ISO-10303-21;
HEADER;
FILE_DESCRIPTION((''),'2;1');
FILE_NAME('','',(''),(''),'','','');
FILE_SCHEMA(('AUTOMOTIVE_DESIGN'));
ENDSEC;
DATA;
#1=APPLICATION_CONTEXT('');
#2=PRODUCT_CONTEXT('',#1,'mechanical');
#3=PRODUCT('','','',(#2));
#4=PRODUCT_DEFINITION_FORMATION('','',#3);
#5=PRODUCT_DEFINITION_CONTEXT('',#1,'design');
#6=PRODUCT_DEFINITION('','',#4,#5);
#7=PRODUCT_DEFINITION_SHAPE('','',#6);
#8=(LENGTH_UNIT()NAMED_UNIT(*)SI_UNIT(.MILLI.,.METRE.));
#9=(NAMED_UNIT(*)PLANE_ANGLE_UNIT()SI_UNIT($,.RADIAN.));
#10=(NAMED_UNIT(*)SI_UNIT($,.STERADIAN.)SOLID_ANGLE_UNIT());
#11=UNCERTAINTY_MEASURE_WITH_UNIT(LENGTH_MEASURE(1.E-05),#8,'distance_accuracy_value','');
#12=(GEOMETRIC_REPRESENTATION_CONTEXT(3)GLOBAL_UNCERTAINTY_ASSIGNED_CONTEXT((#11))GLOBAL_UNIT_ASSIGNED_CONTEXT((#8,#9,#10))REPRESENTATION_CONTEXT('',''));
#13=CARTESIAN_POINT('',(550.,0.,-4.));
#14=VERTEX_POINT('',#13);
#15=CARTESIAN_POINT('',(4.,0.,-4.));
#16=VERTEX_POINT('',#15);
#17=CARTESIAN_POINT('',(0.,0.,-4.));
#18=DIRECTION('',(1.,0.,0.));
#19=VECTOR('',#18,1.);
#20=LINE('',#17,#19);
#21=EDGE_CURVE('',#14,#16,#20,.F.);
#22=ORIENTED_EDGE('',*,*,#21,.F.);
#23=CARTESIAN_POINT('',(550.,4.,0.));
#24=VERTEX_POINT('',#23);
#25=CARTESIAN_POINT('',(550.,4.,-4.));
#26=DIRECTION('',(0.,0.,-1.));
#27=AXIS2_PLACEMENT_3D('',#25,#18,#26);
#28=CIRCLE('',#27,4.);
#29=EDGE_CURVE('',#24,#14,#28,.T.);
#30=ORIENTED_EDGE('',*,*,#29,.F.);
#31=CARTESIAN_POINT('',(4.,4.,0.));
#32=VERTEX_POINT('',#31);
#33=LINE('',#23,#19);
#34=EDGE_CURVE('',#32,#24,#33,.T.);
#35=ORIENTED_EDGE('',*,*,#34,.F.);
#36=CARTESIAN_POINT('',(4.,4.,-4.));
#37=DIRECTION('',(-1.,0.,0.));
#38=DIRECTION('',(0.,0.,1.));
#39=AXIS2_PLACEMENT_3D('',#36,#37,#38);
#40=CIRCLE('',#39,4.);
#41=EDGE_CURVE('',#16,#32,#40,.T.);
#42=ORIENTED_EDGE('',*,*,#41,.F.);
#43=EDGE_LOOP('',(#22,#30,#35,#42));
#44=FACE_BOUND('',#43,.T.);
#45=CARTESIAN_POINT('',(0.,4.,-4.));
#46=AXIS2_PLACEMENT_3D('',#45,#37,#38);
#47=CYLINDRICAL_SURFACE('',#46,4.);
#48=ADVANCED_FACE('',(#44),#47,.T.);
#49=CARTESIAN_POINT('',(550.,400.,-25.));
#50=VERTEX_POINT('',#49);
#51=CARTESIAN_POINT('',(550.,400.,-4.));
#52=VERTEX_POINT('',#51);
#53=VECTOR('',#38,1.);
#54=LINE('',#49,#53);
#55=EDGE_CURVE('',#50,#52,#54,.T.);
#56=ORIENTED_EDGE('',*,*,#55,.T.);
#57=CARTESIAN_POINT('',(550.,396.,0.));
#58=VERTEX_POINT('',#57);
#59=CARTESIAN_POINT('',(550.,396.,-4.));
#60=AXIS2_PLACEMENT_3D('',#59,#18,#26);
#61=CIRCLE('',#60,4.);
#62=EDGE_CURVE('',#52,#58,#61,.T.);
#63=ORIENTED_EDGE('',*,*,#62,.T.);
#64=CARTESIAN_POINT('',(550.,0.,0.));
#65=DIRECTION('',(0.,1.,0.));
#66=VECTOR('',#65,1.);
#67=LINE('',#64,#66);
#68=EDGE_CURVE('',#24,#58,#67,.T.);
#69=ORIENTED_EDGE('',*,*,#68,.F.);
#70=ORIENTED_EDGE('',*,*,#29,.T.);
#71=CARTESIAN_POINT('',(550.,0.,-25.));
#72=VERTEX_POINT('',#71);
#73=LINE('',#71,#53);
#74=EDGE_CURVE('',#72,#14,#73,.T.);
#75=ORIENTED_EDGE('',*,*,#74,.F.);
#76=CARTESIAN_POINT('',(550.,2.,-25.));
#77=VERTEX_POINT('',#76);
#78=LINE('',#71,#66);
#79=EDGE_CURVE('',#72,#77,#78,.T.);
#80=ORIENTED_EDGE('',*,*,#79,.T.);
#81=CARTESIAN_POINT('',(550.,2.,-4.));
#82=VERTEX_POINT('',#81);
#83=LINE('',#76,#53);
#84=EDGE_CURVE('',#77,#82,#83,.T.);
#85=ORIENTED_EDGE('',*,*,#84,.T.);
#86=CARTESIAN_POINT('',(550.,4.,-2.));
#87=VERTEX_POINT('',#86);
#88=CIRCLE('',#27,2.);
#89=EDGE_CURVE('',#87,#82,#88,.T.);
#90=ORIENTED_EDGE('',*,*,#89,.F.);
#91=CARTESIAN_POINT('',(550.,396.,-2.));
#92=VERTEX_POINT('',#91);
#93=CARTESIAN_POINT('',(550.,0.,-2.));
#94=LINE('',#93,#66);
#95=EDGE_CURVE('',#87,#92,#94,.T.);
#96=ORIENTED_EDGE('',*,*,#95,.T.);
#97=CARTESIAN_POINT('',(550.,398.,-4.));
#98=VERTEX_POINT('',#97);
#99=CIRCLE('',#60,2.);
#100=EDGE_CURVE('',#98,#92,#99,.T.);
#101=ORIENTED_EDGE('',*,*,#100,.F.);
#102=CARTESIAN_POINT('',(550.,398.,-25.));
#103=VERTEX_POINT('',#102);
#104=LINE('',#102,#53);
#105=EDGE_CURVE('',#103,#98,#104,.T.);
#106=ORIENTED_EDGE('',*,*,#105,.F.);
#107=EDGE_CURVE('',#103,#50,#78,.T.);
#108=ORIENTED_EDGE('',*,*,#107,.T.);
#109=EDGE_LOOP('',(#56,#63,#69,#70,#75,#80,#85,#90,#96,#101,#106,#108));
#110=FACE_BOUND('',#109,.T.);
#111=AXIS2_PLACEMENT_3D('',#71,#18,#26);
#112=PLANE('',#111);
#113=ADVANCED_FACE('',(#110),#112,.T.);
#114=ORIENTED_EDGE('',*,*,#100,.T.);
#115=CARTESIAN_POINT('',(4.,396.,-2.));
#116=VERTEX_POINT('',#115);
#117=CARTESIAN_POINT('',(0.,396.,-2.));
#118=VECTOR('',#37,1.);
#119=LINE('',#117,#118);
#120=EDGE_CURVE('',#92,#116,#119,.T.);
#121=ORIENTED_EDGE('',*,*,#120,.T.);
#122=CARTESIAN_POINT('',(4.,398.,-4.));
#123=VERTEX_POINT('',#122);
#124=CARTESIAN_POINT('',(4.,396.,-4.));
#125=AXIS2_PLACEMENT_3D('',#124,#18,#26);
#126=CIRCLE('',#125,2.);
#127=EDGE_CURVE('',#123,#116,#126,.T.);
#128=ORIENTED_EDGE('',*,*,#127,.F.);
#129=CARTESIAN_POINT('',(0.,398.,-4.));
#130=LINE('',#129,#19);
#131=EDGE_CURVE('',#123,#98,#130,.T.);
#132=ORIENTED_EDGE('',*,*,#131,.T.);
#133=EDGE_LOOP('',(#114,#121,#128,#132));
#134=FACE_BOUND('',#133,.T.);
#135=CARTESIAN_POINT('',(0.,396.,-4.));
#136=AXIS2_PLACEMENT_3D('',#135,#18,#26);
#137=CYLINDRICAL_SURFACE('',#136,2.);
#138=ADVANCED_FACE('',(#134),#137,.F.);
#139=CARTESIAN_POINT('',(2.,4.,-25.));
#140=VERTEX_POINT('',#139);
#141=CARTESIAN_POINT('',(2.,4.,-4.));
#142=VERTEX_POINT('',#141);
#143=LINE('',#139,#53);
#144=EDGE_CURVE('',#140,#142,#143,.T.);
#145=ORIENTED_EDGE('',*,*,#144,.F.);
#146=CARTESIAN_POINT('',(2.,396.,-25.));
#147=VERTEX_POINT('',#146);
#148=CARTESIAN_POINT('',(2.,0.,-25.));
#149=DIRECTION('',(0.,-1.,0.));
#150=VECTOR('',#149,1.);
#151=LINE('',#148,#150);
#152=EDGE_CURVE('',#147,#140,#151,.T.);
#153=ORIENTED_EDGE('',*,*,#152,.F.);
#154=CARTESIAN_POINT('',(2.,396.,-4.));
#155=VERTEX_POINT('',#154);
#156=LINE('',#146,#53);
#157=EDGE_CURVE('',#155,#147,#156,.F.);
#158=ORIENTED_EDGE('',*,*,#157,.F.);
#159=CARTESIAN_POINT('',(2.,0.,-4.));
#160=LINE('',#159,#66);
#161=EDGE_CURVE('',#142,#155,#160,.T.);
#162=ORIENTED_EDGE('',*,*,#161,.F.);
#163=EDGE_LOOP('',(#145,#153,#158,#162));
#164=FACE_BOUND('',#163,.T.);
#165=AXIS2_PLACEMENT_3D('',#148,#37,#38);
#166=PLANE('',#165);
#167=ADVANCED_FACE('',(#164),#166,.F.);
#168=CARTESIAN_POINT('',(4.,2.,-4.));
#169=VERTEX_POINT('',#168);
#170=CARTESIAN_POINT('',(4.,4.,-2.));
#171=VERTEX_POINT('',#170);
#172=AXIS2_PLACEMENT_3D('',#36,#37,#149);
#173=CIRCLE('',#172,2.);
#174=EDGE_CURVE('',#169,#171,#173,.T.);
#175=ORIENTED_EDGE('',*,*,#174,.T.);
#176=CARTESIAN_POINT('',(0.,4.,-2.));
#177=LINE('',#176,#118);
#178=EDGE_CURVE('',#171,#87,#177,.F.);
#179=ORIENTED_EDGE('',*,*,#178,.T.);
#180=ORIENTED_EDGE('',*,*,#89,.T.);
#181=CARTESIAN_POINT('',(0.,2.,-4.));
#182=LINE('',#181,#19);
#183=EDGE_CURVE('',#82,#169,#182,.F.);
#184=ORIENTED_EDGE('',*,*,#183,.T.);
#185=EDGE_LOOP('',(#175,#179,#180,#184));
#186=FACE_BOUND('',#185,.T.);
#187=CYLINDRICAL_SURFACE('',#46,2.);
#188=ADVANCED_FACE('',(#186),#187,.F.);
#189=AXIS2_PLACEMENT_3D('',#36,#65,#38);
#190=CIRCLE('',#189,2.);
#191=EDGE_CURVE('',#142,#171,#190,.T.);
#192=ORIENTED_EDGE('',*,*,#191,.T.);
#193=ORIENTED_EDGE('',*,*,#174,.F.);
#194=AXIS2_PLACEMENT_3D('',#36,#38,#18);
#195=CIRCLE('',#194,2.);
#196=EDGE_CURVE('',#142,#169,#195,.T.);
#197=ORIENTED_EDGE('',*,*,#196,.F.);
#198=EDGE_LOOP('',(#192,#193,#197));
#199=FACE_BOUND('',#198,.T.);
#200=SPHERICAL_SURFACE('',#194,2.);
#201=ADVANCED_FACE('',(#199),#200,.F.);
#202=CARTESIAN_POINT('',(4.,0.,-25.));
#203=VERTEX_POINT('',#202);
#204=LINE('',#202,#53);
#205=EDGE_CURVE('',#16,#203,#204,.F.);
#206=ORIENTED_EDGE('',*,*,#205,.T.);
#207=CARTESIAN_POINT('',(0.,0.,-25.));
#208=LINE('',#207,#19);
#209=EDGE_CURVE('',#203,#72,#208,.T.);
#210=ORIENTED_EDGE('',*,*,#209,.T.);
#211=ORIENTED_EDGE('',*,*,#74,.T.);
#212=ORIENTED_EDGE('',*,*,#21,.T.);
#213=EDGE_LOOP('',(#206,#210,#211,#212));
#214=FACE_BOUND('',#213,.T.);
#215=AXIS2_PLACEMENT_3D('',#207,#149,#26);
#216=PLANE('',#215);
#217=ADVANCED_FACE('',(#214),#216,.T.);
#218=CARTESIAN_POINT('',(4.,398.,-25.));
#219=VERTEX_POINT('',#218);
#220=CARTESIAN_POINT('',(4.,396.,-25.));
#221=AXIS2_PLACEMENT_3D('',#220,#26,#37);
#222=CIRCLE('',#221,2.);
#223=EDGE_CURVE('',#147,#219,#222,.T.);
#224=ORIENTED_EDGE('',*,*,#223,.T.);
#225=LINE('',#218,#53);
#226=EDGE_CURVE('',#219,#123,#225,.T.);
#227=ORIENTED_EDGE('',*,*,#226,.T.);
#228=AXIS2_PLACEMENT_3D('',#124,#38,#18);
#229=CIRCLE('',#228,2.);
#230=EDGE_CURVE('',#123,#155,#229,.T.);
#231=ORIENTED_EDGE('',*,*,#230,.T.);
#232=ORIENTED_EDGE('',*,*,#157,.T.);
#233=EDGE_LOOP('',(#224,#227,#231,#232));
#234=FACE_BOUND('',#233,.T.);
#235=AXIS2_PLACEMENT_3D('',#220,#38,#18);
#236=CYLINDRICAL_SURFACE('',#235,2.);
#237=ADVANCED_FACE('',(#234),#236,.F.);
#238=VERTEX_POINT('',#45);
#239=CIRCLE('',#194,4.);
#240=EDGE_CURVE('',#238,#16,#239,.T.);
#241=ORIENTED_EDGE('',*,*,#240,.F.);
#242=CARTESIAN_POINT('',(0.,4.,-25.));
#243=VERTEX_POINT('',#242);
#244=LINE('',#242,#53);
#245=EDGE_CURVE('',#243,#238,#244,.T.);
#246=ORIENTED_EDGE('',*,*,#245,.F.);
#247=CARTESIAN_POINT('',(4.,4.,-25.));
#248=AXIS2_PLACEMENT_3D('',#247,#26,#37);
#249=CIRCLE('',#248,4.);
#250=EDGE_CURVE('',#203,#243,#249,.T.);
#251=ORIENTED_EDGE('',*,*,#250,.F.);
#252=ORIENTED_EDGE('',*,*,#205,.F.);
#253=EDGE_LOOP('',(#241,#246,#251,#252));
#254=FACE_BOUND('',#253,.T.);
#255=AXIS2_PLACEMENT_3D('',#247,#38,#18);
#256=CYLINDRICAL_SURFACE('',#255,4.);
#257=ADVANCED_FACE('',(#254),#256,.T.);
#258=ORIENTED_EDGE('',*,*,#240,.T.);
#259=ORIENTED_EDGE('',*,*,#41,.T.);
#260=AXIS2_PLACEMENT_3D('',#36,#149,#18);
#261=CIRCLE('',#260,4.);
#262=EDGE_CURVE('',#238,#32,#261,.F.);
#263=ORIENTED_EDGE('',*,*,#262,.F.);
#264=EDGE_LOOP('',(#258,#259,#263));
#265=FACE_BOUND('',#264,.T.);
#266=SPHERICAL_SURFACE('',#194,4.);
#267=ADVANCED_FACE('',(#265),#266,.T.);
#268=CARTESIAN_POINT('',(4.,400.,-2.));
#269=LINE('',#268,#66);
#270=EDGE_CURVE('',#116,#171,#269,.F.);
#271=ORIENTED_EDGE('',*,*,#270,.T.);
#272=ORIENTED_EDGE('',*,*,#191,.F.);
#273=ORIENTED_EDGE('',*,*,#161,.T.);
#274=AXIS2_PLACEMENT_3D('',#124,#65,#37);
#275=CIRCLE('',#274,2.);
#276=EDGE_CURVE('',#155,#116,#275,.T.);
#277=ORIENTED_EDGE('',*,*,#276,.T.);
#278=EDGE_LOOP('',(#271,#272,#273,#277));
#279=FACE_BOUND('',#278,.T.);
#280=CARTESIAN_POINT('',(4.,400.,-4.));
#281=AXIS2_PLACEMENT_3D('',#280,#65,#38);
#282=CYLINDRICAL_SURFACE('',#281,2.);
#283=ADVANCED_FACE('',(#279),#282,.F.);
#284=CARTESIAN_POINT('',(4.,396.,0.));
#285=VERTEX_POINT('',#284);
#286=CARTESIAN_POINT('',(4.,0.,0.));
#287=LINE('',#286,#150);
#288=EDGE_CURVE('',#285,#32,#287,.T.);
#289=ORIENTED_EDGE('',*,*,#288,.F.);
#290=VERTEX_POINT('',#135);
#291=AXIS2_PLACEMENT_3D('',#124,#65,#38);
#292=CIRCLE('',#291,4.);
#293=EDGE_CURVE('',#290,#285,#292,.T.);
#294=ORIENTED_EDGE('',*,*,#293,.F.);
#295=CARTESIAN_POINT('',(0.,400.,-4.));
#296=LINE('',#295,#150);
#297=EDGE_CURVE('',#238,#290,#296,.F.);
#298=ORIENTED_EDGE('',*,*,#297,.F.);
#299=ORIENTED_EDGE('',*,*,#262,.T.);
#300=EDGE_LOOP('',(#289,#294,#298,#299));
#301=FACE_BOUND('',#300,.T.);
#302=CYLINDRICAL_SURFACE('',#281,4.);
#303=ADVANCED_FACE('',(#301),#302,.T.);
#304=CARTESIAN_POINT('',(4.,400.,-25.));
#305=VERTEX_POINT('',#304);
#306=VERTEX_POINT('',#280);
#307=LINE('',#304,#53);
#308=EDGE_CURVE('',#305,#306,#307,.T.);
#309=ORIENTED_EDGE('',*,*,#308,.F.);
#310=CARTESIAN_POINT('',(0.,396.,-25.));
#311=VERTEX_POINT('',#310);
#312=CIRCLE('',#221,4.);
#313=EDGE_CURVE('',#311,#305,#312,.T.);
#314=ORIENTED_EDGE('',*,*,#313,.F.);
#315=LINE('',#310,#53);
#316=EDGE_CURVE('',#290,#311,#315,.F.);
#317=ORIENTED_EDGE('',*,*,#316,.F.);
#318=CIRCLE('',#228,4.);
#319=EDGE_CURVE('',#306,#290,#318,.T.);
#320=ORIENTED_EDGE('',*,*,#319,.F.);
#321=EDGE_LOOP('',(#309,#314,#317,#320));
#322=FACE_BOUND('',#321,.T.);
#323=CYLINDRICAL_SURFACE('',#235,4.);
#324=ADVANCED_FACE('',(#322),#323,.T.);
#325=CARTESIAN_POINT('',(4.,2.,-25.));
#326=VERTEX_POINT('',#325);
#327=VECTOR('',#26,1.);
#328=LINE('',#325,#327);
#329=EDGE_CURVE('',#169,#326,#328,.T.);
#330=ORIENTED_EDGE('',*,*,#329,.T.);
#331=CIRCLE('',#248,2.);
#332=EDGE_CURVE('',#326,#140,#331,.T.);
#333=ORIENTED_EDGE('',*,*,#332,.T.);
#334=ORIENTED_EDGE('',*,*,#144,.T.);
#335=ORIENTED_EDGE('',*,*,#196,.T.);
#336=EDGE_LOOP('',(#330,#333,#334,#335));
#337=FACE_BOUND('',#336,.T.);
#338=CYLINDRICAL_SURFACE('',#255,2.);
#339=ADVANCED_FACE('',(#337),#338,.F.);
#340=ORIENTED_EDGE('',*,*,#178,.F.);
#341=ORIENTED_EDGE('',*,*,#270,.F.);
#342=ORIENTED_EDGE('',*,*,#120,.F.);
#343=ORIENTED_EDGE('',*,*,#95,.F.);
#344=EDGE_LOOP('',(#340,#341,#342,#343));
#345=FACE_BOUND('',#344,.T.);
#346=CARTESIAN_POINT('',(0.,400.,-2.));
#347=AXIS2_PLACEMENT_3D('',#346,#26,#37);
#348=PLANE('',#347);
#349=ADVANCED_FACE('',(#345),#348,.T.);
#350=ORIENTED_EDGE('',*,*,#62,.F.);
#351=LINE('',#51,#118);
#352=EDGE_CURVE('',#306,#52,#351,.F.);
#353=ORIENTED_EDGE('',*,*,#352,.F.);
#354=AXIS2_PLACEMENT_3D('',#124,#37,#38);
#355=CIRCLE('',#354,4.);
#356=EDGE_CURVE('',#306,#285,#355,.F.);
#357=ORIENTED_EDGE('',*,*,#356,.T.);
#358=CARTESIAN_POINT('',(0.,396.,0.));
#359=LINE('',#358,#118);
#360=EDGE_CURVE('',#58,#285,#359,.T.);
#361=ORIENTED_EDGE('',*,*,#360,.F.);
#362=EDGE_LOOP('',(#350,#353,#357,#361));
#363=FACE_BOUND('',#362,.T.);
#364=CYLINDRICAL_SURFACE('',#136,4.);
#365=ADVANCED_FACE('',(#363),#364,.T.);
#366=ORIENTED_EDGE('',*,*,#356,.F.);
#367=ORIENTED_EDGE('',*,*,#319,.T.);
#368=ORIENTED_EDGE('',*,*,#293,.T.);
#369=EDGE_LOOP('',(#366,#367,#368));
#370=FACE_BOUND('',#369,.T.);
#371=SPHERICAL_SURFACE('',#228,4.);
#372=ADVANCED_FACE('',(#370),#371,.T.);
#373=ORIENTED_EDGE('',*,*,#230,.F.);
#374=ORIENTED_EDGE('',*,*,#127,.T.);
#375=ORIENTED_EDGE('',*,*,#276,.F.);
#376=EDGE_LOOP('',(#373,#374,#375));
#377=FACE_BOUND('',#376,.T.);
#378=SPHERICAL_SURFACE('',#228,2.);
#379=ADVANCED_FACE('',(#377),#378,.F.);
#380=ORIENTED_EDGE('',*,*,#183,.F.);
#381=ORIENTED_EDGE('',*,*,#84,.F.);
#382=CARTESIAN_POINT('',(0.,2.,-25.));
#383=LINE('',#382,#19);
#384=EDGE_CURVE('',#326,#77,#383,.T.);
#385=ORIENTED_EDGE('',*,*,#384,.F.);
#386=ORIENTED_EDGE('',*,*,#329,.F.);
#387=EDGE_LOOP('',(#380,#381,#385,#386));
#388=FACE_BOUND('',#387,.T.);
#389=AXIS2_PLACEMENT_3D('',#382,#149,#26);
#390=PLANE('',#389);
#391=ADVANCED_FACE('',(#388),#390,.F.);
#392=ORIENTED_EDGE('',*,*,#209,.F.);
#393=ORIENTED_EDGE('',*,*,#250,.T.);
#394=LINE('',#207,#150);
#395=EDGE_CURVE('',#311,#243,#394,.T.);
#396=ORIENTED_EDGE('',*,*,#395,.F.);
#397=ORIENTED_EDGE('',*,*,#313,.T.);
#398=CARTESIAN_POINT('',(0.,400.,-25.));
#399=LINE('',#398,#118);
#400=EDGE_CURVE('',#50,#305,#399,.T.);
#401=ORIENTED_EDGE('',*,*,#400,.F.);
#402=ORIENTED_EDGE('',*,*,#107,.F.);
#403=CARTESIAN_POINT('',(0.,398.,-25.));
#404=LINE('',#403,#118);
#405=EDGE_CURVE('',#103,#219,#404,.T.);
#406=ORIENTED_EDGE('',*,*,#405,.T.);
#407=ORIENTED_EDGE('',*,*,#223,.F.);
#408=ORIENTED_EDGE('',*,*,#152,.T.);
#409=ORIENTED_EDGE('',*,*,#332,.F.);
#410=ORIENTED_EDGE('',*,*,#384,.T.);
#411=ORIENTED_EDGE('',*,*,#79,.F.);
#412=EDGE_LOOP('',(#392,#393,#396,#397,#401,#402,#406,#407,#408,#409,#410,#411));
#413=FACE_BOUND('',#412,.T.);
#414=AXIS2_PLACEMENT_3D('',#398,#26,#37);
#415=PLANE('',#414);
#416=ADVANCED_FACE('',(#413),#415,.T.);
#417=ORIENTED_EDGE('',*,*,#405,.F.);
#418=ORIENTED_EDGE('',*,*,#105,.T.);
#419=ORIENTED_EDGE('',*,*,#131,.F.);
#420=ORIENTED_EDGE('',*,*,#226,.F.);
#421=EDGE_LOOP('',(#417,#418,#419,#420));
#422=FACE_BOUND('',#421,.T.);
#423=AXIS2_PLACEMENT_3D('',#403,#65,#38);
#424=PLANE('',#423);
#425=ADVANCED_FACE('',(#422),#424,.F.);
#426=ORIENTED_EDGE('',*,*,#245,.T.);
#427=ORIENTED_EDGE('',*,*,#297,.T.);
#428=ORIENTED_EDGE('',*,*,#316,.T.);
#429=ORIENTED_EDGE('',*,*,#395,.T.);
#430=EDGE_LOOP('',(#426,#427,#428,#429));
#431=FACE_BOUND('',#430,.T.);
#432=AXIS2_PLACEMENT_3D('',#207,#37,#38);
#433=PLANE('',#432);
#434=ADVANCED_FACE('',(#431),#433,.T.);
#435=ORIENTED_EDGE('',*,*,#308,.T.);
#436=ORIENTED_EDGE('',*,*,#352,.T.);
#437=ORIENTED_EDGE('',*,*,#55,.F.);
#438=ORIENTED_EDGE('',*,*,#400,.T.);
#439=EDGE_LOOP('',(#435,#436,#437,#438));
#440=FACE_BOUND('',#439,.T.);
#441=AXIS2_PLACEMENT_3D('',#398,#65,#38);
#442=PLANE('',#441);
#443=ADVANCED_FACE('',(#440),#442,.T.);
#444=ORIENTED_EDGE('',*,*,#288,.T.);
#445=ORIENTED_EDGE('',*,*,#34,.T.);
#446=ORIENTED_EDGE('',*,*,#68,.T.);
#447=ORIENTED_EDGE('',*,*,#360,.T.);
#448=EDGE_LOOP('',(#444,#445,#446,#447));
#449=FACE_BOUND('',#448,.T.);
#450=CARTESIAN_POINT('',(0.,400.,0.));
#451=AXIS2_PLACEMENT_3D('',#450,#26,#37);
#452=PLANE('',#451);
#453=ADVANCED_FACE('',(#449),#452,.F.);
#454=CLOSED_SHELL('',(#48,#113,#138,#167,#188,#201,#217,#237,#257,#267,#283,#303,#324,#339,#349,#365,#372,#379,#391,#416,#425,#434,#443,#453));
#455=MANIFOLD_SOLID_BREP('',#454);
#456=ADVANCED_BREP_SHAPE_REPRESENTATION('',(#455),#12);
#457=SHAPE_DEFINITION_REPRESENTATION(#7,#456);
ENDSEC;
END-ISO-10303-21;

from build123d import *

# Parameters (mm, degrees)
SKETCH_1_W      = 550
SKETCH_1_H      = 400
EXTRUDE_1_DEPTH = 25
FILLET_1_R      = 4
SHELL_1_T       = -2


with BuildPart() as part:
    # 草图1 → 凸台-拉伸1 (new body)
    with BuildSketch(Plane.XY):
        with Locations((275, 200)):
            Rectangle(SKETCH_1_W, SKETCH_1_H)
    extrude(amount=-EXTRUDE_1_DEPTH)

    # 圆角1
    fillet_1_edges = [part.edges().sort_by_distance(p)[0] for p in [
        (275, 400, 0),
        (275, 0, 0),
        (0, 200, 0),
        (0, 400, -12.5),
        (0, 0, -12.5),
    ]]
    fillet(fillet_1_edges, radius=FILLET_1_R)

    # 抽壳1
    shell_1_openings = [part.faces().sort_by_distance(p)[0] for p in [
        (275.008556451, 200, -25),
        (550, 200, -12.507975981),
    ]]
    offset(amount=SHELL_1_T, openings=shell_1_openings, kind=Kind.INTERSECTION)


solid = part.part
